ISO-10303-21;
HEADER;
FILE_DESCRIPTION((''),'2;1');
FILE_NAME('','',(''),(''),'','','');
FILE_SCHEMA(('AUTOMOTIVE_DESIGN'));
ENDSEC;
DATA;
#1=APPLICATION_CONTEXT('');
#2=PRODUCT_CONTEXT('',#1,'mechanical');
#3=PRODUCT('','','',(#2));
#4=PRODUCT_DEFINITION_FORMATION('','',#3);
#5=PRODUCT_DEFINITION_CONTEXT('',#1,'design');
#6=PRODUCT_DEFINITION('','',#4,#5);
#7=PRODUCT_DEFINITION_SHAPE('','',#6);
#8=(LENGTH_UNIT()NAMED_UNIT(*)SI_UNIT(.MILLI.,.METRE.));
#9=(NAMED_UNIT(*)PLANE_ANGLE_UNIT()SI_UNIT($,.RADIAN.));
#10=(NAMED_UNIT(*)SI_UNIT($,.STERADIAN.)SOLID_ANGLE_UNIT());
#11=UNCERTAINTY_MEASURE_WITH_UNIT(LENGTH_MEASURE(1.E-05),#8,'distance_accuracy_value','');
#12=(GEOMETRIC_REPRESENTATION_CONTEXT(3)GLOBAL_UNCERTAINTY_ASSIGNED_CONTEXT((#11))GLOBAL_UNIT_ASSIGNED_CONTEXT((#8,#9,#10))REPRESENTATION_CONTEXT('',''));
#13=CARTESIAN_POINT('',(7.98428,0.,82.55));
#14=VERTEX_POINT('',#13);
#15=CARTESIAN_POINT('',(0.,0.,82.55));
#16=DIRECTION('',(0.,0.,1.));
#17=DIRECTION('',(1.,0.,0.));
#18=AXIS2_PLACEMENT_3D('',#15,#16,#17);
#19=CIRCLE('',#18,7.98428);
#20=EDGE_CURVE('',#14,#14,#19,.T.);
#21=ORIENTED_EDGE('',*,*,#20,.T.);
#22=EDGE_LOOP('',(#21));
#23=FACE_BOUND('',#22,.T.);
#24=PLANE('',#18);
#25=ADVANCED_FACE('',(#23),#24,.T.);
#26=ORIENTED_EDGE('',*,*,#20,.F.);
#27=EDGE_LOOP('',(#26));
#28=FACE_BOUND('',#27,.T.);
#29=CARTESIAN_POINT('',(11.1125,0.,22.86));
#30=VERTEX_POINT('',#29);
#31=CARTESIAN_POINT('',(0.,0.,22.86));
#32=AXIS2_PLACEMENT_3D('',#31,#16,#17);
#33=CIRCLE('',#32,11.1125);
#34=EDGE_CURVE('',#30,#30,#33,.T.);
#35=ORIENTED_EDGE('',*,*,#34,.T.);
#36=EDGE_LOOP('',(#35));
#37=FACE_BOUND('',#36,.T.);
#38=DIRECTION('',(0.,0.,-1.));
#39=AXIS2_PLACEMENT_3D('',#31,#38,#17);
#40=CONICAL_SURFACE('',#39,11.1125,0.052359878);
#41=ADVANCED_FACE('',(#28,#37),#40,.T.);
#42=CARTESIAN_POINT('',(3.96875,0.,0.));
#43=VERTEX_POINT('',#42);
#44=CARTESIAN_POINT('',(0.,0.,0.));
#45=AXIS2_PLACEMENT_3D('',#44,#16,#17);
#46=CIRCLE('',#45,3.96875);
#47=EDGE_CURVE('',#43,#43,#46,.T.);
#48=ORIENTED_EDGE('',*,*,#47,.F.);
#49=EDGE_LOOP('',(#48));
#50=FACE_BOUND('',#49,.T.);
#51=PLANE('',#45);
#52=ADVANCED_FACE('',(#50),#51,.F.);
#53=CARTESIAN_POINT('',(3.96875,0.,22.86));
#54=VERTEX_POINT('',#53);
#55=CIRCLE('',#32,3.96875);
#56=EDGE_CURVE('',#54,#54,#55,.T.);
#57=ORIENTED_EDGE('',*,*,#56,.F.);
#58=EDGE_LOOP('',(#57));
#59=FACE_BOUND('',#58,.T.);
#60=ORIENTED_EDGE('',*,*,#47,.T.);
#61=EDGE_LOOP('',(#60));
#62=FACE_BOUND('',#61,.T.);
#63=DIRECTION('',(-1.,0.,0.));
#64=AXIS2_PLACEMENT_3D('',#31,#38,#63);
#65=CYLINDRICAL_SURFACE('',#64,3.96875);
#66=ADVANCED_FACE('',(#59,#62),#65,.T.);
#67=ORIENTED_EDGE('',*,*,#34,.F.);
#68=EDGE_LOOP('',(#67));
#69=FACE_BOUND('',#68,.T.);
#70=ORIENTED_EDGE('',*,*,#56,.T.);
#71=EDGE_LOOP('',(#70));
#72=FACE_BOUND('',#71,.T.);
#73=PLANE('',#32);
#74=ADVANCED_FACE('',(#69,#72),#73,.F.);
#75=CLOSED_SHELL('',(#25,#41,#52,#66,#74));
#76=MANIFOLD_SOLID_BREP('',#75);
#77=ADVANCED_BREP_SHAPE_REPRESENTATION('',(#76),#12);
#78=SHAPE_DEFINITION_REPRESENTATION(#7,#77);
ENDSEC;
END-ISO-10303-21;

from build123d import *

# Parameters (mm, degrees)
SKETCH3_R           = 3.96875
BOSS_EXTRUDE1_DEPTH = 22.86
SKETCH4_R           = 11.1125
BOSS_EXTRUDE2_DEPTH = 59.69
BOSS_EXTRUDE2_TAPER = 3


with BuildPart() as part:
    # Sketch3 → Boss-Extrude1 (new body)
    with BuildSketch(Plane.XY):
        Circle(SKETCH3_R)
    extrude(amount=BOSS_EXTRUDE1_DEPTH)

    # Sketch4 → Boss-Extrude2 (add)
    with BuildSketch(Plane.XY.offset(22.86)):
        Circle(SKETCH4_R)
    extrude(amount=BOSS_EXTRUDE2_DEPTH, taper=BOSS_EXTRUDE2_TAPER)


solid = part.part
